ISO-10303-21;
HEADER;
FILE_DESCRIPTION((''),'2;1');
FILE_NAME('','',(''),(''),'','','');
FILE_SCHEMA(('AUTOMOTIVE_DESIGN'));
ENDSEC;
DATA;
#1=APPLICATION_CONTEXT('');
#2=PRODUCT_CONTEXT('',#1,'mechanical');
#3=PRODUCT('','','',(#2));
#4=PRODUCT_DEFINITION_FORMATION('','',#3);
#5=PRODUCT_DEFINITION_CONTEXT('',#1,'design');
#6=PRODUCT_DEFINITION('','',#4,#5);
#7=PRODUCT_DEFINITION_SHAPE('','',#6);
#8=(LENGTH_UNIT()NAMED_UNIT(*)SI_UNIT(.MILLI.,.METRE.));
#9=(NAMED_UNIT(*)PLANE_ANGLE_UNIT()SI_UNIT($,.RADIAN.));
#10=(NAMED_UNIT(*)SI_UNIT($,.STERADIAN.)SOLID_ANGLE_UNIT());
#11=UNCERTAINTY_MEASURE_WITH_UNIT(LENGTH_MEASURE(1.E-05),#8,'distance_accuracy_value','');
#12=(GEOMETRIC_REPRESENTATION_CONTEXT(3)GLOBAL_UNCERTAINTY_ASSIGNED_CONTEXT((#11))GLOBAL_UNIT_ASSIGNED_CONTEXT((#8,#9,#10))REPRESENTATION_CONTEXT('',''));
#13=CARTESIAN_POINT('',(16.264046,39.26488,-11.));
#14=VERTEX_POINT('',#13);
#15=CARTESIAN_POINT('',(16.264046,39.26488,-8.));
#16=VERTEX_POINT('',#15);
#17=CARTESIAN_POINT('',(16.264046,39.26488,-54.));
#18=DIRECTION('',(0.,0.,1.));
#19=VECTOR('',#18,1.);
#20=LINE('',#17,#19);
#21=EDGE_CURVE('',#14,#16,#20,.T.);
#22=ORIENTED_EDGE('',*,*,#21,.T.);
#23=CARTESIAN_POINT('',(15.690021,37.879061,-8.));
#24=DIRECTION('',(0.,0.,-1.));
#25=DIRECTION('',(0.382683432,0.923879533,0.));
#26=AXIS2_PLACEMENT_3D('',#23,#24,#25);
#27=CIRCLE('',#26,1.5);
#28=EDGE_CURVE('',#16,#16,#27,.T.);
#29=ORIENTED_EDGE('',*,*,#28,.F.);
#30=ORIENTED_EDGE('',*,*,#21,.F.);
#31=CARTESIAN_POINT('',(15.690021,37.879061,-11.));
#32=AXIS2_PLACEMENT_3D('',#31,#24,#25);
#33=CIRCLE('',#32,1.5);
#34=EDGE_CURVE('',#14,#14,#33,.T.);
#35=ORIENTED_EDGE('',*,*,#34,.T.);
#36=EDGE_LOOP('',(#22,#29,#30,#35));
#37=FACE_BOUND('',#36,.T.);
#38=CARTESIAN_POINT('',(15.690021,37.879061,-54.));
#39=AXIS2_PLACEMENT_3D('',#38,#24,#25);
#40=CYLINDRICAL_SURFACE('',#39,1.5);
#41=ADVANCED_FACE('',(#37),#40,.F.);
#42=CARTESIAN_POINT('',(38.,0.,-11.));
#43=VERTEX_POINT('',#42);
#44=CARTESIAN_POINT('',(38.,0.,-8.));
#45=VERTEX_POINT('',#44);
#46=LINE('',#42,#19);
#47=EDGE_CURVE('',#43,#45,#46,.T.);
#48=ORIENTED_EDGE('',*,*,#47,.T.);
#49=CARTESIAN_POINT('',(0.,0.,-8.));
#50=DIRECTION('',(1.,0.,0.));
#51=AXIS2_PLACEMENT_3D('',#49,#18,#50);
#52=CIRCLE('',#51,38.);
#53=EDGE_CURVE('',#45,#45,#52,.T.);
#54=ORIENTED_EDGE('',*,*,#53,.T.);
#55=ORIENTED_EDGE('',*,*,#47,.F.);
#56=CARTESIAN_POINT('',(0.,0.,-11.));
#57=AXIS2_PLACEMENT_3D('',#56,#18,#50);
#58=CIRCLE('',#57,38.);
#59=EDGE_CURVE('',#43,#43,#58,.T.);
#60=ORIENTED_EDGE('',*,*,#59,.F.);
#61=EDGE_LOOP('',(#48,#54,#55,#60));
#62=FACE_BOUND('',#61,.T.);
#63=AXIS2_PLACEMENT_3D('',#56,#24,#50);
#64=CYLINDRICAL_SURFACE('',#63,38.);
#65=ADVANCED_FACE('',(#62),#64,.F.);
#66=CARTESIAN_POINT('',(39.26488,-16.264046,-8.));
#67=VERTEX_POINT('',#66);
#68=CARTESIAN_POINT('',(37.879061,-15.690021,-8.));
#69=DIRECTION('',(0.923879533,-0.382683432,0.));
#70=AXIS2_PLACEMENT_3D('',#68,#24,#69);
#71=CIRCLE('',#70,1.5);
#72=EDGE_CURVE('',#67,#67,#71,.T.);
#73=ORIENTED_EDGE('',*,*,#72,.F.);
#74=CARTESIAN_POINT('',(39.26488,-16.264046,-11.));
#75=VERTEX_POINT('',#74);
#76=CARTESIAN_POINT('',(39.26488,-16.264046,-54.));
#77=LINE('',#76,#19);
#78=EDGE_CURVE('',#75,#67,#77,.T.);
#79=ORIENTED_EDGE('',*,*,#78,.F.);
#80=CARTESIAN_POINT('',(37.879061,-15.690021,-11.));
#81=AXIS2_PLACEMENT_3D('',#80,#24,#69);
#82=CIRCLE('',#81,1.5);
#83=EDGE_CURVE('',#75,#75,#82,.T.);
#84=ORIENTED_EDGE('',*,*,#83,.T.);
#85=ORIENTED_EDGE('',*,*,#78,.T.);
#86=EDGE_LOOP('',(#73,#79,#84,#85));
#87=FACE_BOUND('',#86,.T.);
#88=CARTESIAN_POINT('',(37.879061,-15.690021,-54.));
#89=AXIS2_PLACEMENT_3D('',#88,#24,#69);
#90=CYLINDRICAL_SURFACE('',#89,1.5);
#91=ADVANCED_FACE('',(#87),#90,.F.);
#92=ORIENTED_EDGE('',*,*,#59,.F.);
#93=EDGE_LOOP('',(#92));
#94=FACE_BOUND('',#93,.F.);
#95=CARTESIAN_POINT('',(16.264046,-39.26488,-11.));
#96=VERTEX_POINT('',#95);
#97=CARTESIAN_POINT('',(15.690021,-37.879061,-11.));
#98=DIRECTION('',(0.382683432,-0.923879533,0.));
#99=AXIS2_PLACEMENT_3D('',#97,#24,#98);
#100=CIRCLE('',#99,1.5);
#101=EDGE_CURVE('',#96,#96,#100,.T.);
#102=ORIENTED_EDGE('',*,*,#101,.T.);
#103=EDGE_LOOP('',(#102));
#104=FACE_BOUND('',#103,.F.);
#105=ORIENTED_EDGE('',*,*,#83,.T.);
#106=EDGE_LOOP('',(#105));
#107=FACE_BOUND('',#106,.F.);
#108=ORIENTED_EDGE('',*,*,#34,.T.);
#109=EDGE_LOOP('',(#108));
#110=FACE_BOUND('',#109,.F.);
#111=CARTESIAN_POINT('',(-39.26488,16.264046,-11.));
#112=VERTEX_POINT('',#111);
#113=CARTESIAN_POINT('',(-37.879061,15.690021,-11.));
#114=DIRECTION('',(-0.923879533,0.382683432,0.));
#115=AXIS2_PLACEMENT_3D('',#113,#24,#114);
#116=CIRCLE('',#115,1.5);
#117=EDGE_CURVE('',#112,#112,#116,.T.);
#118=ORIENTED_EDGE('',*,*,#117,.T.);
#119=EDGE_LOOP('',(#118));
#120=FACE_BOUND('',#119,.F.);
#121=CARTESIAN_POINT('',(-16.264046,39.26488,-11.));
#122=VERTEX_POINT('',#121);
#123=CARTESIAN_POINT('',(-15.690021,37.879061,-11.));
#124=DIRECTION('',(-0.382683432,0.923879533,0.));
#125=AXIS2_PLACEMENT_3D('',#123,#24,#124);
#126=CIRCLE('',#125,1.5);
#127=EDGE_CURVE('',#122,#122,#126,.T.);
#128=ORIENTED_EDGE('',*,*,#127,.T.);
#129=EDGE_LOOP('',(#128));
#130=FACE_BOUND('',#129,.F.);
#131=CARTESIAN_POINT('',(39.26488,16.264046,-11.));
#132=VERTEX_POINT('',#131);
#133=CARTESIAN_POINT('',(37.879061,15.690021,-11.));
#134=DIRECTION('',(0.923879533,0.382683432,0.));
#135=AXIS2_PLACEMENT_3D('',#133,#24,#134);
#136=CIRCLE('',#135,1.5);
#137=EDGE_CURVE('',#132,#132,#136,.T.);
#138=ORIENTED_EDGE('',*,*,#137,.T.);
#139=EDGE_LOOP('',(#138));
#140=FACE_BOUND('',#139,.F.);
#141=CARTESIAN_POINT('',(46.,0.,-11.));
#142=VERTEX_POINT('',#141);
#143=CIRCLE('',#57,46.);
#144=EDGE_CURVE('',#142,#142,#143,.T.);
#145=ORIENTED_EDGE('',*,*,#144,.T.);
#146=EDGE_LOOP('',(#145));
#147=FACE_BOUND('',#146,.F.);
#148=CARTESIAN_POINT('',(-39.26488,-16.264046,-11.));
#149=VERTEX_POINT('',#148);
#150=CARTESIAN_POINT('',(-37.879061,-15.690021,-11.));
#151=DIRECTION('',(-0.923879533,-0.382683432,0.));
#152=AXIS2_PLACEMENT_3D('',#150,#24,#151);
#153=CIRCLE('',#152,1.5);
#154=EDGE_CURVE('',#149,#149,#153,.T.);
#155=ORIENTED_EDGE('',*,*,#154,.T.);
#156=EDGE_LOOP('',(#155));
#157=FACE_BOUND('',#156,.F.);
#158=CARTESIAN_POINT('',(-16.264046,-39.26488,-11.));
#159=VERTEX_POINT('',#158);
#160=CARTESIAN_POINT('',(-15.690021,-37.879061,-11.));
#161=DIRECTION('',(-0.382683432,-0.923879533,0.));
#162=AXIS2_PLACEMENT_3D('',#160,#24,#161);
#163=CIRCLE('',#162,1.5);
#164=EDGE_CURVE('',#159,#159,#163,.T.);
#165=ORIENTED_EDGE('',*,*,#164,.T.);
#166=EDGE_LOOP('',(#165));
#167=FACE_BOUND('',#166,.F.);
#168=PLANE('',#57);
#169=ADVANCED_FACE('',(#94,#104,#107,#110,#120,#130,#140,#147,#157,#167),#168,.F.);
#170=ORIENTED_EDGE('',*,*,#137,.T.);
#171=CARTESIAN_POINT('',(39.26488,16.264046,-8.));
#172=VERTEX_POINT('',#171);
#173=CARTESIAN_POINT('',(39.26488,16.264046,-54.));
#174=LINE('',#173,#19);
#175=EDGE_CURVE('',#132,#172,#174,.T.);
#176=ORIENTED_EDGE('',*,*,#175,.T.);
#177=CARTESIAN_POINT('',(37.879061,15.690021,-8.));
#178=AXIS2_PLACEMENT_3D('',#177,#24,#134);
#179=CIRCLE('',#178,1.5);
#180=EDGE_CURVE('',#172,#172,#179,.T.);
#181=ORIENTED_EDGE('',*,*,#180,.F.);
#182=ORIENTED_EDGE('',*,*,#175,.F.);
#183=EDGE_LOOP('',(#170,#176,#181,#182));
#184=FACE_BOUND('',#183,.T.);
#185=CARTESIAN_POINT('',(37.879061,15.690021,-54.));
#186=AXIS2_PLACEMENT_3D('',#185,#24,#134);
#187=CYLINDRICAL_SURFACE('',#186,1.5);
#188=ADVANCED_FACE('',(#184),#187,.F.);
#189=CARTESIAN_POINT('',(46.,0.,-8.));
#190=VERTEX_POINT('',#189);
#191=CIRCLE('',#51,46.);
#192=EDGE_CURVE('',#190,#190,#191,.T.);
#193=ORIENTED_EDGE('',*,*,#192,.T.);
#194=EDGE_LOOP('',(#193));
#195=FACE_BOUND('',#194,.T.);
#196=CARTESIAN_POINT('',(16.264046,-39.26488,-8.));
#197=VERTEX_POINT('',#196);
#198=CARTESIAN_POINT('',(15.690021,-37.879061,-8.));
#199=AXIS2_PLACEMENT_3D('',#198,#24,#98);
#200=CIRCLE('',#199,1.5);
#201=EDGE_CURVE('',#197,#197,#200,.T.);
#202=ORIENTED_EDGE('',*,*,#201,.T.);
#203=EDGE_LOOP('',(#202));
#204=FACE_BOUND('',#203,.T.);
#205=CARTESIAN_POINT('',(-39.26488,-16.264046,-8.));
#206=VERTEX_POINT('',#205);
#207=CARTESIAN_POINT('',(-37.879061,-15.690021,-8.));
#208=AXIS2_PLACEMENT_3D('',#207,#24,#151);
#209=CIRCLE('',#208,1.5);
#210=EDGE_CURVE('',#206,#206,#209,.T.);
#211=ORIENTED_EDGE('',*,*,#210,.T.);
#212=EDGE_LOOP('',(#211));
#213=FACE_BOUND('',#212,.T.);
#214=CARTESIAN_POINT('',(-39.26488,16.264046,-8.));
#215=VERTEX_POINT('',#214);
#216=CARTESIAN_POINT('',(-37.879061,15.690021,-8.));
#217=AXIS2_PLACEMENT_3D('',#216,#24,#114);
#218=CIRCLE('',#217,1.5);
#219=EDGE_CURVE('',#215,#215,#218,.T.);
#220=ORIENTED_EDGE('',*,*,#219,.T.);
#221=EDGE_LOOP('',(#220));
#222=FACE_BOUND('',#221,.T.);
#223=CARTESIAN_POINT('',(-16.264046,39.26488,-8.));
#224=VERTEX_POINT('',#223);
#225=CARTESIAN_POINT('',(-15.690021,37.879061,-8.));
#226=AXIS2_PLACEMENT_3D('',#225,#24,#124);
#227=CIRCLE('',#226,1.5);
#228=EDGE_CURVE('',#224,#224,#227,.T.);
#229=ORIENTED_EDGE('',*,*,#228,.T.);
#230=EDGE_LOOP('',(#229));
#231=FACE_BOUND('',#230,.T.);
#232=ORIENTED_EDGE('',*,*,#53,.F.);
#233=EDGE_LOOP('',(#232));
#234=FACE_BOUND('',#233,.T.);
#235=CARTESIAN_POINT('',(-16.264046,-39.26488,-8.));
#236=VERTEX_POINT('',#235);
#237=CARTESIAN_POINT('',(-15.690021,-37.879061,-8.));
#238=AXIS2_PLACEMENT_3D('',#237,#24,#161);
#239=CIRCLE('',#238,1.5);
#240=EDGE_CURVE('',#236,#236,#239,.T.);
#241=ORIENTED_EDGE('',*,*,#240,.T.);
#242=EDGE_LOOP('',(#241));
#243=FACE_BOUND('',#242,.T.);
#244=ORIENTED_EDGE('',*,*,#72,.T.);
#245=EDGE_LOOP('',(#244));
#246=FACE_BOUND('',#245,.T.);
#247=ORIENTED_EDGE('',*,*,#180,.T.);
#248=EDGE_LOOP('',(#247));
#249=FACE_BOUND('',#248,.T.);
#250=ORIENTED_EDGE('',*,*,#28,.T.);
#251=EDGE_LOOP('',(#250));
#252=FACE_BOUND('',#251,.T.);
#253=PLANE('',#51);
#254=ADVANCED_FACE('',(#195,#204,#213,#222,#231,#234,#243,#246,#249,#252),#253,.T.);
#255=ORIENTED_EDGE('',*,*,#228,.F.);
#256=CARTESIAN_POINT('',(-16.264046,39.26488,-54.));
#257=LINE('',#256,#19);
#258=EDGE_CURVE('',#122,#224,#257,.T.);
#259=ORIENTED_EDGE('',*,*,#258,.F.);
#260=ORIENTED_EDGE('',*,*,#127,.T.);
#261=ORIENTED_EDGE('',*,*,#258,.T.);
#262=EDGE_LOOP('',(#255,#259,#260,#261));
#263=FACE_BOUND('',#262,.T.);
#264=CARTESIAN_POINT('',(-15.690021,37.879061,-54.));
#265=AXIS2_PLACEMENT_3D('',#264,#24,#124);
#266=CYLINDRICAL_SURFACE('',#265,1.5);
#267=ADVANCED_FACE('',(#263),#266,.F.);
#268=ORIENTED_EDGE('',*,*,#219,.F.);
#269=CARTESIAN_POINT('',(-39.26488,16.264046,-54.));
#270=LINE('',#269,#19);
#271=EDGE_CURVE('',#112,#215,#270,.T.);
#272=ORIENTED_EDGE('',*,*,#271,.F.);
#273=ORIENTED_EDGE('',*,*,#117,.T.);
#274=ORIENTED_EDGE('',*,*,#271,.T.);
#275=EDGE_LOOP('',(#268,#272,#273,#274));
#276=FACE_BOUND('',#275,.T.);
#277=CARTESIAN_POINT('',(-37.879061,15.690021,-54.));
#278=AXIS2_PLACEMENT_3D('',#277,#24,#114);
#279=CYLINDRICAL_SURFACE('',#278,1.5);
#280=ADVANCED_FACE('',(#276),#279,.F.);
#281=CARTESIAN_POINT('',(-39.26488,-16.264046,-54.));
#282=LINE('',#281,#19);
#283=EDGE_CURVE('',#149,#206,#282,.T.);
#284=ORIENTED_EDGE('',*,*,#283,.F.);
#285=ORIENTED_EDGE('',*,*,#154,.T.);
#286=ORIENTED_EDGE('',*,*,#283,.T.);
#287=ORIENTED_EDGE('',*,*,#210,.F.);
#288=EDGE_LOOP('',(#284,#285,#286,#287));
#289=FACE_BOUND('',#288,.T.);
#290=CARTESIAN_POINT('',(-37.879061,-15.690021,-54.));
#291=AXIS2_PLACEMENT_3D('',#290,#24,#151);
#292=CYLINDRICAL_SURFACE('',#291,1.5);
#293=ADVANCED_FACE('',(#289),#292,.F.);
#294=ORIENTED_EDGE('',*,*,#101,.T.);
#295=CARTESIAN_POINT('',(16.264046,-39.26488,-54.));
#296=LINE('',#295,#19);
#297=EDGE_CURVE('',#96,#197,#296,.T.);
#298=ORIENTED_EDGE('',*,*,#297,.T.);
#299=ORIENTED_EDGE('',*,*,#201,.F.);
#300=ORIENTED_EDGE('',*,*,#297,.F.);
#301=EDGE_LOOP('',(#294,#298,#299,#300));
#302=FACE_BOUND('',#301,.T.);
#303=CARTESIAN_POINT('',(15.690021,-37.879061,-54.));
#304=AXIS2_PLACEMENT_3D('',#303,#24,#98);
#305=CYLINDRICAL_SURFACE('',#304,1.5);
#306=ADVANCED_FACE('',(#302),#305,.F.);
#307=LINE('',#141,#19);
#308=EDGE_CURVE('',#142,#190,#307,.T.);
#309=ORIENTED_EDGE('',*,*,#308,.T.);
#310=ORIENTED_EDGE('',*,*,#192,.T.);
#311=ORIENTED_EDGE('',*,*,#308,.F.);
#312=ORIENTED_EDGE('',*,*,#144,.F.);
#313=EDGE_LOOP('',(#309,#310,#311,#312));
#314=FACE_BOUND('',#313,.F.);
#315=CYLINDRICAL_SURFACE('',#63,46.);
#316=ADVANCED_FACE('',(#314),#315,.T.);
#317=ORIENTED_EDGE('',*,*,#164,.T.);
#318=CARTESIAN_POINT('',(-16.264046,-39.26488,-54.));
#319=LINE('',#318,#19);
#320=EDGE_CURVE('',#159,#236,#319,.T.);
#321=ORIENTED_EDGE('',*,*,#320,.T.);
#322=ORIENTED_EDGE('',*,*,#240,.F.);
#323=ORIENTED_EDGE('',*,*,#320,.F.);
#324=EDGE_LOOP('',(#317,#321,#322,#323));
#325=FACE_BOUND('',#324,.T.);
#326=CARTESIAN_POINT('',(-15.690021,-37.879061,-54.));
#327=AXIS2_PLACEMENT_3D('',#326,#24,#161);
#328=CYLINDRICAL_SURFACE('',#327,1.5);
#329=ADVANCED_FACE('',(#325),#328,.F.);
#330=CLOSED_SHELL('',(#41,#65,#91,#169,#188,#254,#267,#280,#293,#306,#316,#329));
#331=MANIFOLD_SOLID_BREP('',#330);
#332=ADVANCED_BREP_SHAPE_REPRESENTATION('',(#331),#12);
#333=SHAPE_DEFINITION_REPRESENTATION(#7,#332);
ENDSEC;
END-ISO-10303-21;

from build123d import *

# Parameters (mm, degrees)
CYLINDER412_R               = 1.5
CYLINDER412_DEPTH           = 60
CYLINDER410_R               = 1.5
CYLINDER410_DEPTH           = 60
CYLINDER410_PLACEMENT_ANGLE = 135
CYLINDER408_R               = 1.5
CYLINDER408_DEPTH           = 60
CYLINDER411_R               = 1.5
CYLINDER411_DEPTH           = 60
CYLINDER411_PLACEMENT_ANGLE = 225
CYLINDER414_R               = 1.5
CYLINDER414_DEPTH           = 60
CYLINDER407_R               = 1.5
CYLINDER407_DEPTH           = 60
CYLINDER407_PLACEMENT_ANGLE = 45
CYLINDER413_R               = 1.5
CYLINDER413_DEPTH           = 60
CYLINDER409_R               = 1.5
CYLINDER409_DEPTH           = 60
CYLINDER409_PLACEMENT_ANGLE = 45
COMPOUND307_PLACEMENT_ANGLE = 22.5
TUBE036_R                   = 46
TUBE036_R_2                 = 38
TUBE036_DEPTH               = 3


with BuildPart() as v_lec412:
    # Cylinder412 → Cylinder412 (new body)
    with BuildSketch(Plane(origin=(0, 41, -54), x_dir=(0, 1, 0), z_dir=(0, 0, 1))):
        Circle(CYLINDER412_R)
    extrude(amount=CYLINDER412_DEPTH)


with BuildPart() as v_lec410:
    # Cylinder410 → Cylinder410 (new body)
    with BuildSketch(Plane.XY):
        Circle(CYLINDER410_R)
    extrude(amount=CYLINDER410_DEPTH)


with BuildPart() as v_lec410_1:
    # Cylinder410 placement: moved
    add(v_lec410.part.moved(Location((-28.991378, 28.991378, -54))).rotate(Axis((-28.991378, 28.991378, -54), (0, 0, 1)), CYLINDER410_PLACEMENT_ANGLE))


with BuildPart() as v_lec408:
    # Cylinder408 → Cylinder408 (new body)
    with BuildSketch(Plane(origin=(-41, 0, -54), x_dir=(-1, 0, 0), z_dir=(0, 0, 1))):
        Circle(CYLINDER408_R)
    extrude(amount=CYLINDER408_DEPTH)


with BuildPart() as v_lec411:
    # Cylinder411 → Cylinder411 (new body)
    with BuildSketch(Plane.XY):
        Circle(CYLINDER411_R)
    extrude(amount=CYLINDER411_DEPTH)


with BuildPart() as v_lec411_1:
    # Cylinder411 placement: moved
    add(v_lec411.part.moved(Location((-28.991378, -28.991378, -54))).rotate(Axis((-28.991378, -28.991378, -54), (0, 0, 1)), CYLINDER411_PLACEMENT_ANGLE))


with BuildPart() as v_lec414:
    # Cylinder414 → Cylinder414 (new body)
    with BuildSketch(Plane(origin=(0, -41, -54), x_dir=(0, -1, 0), z_dir=(0, 0, 1))):
        Circle(CYLINDER414_R)
    extrude(amount=CYLINDER414_DEPTH)


with BuildPart() as v_lec407:
    # Cylinder407 → Cylinder407 (new body)
    with BuildSketch(Plane.XY):
        Circle(CYLINDER407_R)
    extrude(amount=CYLINDER407_DEPTH)


with BuildPart() as v_lec407_1:
    # Cylinder407 placement: moved
    add(v_lec407.part.moved(Location((28.991378, -28.991378, -54))).rotate(Axis((28.991378, -28.991378, -54), (0, 0, -1)), CYLINDER407_PLACEMENT_ANGLE))


with BuildPart() as v_lec413:
    # Cylinder413 → Cylinder413 (new body)
    with BuildSketch(Plane(origin=(41, 0, -54), x_dir=(1, 0, 0), z_dir=(0, 0, 1))):
        Circle(CYLINDER413_R)
    extrude(amount=CYLINDER413_DEPTH)


with BuildPart() as compound307:
    # Cylinder409 → Cylinder409 (new body)
    with BuildSketch(Plane.XY):
        Circle(CYLINDER409_R)
    extrude(amount=CYLINDER409_DEPTH)


with BuildPart() as compound307_1:
    # Cylinder409 placement: moved
    add(compound307.part.moved(Location((28.991378, 28.991378, -54))).rotate(Axis((28.991378, 28.991378, -54), (0, 0, 1)), CYLINDER409_PLACEMENT_ANGLE))

    # Compound307: union Válec412, Válec410, Válec408, Válec411, Válec414, Válec407, Válec413
    add(v_lec412.part)
    add(v_lec410_1.part)
    add(v_lec408.part)
    add(v_lec411_1.part)
    add(v_lec414.part)
    add(v_lec407_1.part)
    add(v_lec413.part)


with BuildPart() as compound307_2:
    # Compound307 placement: moved
    add(compound307_1.part.rotate(Axis((0, 0, 0), (0, 0, 1)), COMPOUND307_PLACEMENT_ANGLE))


with BuildPart() as j_midi_motor_washer:
    # Tube036 → Tube036 (new body)
    with BuildSketch(Plane.XY.offset(-11)):
        Circle(TUBE036_R)
        Circle(TUBE036_R_2, mode=Mode.SUBTRACT)
    extrude(amount=TUBE036_DEPTH)

    # Cut162: cut Compound307
    add(compound307_2.part, mode=Mode.SUBTRACT)


solid = j_midi_motor_washer.part
